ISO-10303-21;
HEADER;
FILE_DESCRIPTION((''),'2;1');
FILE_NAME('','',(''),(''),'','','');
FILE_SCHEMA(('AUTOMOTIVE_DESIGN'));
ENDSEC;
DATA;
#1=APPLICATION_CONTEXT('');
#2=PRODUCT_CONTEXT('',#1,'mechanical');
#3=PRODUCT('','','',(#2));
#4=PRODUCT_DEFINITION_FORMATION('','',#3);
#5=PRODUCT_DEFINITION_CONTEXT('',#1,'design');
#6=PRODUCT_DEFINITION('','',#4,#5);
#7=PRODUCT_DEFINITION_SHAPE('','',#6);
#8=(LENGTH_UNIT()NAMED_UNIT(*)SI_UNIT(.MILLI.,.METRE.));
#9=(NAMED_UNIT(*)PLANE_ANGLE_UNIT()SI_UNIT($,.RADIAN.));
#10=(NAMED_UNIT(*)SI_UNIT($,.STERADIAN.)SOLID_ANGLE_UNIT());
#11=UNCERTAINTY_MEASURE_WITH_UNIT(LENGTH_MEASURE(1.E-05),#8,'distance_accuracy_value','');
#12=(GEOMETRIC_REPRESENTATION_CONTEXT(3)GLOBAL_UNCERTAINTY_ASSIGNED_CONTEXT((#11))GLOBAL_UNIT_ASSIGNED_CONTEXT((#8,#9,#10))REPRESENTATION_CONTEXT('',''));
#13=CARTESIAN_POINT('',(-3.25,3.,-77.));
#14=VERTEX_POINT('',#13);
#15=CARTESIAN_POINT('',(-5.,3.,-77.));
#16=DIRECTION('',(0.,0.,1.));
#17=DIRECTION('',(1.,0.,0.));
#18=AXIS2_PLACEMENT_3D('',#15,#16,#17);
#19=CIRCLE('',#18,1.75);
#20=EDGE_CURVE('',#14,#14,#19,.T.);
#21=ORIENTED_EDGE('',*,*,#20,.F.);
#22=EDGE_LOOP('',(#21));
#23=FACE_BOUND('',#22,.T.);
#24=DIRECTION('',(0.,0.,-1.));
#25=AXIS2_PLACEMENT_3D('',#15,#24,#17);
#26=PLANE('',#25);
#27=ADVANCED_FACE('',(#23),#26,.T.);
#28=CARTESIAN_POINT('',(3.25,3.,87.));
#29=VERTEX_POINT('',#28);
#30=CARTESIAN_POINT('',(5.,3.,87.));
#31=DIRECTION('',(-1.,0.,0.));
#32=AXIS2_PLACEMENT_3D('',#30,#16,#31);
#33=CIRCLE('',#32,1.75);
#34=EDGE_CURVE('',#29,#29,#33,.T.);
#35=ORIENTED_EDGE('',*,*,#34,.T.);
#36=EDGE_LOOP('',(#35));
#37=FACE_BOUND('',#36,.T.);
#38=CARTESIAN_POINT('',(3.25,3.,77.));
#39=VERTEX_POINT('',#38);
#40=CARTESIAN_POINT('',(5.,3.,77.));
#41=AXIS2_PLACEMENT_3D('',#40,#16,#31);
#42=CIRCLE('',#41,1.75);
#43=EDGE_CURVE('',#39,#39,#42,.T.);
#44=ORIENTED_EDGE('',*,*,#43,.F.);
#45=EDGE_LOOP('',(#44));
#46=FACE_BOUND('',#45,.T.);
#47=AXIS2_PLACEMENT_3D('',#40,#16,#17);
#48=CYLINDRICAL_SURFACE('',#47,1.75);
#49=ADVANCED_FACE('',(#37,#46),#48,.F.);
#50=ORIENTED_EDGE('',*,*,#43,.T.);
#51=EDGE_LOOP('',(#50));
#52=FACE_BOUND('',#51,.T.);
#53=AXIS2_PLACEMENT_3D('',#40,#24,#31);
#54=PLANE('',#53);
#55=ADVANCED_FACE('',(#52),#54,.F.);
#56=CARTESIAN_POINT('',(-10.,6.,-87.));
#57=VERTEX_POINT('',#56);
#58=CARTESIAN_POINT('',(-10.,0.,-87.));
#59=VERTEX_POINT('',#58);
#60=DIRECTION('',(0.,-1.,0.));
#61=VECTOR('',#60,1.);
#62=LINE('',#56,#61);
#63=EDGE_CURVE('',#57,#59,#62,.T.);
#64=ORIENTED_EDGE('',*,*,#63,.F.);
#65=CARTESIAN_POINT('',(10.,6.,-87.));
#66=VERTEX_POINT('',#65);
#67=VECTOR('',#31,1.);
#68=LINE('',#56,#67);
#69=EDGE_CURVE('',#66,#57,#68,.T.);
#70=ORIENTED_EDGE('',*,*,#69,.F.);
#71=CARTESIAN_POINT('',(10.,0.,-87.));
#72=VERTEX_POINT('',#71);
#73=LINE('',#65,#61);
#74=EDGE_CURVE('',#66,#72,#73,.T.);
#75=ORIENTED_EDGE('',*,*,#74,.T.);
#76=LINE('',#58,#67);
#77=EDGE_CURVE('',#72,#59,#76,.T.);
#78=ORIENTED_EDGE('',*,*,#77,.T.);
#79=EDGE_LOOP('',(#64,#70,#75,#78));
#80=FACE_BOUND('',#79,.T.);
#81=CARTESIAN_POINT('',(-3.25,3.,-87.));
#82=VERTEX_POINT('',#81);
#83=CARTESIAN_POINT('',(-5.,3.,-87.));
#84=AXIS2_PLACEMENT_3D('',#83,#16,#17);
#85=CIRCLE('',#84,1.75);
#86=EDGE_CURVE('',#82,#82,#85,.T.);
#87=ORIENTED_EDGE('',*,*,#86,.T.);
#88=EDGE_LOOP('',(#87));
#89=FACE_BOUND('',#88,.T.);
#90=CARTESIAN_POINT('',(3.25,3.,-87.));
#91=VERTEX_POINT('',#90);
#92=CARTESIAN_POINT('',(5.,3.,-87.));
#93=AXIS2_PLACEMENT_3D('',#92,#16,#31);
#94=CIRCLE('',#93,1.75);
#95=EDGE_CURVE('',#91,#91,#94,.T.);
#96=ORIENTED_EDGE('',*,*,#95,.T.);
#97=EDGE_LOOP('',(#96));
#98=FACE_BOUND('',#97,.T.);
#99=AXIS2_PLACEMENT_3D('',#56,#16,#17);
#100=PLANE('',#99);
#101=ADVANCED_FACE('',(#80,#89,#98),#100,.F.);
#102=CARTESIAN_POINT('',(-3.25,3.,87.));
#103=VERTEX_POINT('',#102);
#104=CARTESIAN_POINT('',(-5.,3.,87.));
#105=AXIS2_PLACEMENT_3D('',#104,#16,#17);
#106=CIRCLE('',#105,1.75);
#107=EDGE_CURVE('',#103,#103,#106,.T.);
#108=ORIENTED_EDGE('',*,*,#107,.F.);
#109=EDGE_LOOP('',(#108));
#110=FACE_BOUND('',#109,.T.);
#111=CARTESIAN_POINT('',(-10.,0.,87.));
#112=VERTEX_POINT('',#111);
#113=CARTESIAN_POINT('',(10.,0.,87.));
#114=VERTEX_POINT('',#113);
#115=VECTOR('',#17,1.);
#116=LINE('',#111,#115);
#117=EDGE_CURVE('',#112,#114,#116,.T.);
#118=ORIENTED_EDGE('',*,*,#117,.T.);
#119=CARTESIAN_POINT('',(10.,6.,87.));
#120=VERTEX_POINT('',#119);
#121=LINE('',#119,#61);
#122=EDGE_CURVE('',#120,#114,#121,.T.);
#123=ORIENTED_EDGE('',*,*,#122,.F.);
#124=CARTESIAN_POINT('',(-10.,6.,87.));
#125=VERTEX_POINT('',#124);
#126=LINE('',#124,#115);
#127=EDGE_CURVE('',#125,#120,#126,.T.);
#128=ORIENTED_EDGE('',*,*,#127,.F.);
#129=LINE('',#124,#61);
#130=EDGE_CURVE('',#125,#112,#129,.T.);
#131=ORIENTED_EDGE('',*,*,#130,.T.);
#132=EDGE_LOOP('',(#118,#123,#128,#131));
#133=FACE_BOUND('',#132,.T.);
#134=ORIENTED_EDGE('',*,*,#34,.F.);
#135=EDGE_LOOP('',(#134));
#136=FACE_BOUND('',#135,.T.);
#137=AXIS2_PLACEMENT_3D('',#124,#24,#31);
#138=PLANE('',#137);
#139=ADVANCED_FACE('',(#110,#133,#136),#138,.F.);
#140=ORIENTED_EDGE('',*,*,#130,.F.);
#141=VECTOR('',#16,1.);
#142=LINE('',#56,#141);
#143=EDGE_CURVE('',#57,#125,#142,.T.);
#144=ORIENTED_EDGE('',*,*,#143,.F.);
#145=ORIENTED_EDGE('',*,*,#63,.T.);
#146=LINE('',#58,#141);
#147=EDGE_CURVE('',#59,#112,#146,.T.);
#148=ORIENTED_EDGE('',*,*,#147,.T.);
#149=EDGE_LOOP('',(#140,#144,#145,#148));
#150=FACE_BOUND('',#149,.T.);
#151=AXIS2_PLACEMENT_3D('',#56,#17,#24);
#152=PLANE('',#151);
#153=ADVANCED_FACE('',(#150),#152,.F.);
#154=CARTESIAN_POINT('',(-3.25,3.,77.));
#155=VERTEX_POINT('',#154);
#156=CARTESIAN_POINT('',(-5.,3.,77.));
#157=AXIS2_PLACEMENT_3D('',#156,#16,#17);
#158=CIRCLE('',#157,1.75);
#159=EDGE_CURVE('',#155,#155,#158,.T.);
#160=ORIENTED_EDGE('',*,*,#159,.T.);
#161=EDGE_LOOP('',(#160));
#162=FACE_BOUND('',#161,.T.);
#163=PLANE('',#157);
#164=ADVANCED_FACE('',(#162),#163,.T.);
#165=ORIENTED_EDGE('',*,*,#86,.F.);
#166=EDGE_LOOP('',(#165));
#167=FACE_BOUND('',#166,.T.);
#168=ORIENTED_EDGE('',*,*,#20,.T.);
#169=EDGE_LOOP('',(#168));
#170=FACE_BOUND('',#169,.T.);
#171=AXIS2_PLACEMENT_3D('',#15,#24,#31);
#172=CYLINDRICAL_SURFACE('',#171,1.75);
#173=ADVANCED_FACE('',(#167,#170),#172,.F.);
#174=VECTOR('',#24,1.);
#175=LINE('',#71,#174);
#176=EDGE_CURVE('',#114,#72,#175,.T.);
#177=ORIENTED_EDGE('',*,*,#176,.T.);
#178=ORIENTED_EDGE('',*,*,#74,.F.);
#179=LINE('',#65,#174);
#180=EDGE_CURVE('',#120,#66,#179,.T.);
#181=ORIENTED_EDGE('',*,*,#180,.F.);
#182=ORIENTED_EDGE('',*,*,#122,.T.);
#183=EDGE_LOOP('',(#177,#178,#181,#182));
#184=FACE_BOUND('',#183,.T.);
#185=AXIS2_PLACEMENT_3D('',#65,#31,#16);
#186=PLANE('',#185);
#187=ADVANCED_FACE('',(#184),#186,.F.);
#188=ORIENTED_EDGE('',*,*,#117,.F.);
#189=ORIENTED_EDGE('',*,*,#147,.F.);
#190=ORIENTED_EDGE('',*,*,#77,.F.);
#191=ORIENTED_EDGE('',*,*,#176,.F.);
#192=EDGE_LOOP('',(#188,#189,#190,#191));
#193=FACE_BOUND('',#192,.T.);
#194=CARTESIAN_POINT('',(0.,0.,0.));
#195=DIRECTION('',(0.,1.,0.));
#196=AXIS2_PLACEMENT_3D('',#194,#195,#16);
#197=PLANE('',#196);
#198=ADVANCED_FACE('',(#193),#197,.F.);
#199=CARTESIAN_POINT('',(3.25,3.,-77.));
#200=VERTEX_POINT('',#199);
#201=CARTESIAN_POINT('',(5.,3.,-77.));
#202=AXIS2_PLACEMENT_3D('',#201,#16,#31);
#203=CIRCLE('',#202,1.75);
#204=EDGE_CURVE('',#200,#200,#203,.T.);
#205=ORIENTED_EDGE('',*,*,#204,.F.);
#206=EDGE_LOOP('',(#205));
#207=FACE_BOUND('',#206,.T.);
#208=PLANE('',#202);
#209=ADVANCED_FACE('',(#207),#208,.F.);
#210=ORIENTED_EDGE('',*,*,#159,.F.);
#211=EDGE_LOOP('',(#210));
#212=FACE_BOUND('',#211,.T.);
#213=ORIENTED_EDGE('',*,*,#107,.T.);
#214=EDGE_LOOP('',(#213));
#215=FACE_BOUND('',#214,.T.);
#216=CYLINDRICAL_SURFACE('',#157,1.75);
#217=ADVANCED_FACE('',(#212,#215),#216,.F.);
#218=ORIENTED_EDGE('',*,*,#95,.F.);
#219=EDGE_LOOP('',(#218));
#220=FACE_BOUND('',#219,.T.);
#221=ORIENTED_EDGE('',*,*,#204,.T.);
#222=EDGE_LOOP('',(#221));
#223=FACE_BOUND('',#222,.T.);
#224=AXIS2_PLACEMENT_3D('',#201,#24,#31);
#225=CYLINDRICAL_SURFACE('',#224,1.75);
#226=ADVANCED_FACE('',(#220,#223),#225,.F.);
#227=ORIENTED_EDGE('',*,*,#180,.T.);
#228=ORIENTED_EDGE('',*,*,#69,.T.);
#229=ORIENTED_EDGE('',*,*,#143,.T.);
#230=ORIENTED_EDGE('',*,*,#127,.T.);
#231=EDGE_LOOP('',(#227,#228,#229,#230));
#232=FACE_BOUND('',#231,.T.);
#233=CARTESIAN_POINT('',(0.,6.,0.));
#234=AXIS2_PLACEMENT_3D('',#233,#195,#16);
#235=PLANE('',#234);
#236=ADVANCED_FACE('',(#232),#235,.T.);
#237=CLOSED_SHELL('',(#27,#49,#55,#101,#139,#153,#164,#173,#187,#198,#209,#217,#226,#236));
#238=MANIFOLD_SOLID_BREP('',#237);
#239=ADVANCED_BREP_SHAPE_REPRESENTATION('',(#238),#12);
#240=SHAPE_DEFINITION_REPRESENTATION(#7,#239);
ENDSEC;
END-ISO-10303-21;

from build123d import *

# Parameters (mm, degrees)
SKETCH1_W               = 20
SKETCH1_H               = 174
MIDLINE_SUPPORT_DEPTH   = 6
SKETCH7_R               = 1.75
FRONT_SCREW_HOLES_DEPTH = 10


with BuildPart() as part:
    # Sketch1 → Midline Support (new body)
    with BuildSketch(Plane(origin=(0, 0, 0), x_dir=(1, 0, 0), z_dir=(0, 1, 0))):
        Rectangle(SKETCH1_W, SKETCH1_H)
    extrude(amount=MIDLINE_SUPPORT_DEPTH)

    # Sketch7 → Front Screw Holes (cut)
    with BuildSketch(Plane.XY.offset(87)):
        with Locations((-5, 3)):
            Circle(SKETCH7_R)
        with Locations((5, 3)):
            Circle(SKETCH7_R)
    front_screw_holes = extrude(amount=-FRONT_SCREW_HOLES_DEPTH, mode=Mode.SUBTRACT)

    # Rear Screw Holes: Front Screw Holes across plane
    add(front_screw_holes.mirror(Plane.XY), mode=Mode.SUBTRACT)


solid = part.part
